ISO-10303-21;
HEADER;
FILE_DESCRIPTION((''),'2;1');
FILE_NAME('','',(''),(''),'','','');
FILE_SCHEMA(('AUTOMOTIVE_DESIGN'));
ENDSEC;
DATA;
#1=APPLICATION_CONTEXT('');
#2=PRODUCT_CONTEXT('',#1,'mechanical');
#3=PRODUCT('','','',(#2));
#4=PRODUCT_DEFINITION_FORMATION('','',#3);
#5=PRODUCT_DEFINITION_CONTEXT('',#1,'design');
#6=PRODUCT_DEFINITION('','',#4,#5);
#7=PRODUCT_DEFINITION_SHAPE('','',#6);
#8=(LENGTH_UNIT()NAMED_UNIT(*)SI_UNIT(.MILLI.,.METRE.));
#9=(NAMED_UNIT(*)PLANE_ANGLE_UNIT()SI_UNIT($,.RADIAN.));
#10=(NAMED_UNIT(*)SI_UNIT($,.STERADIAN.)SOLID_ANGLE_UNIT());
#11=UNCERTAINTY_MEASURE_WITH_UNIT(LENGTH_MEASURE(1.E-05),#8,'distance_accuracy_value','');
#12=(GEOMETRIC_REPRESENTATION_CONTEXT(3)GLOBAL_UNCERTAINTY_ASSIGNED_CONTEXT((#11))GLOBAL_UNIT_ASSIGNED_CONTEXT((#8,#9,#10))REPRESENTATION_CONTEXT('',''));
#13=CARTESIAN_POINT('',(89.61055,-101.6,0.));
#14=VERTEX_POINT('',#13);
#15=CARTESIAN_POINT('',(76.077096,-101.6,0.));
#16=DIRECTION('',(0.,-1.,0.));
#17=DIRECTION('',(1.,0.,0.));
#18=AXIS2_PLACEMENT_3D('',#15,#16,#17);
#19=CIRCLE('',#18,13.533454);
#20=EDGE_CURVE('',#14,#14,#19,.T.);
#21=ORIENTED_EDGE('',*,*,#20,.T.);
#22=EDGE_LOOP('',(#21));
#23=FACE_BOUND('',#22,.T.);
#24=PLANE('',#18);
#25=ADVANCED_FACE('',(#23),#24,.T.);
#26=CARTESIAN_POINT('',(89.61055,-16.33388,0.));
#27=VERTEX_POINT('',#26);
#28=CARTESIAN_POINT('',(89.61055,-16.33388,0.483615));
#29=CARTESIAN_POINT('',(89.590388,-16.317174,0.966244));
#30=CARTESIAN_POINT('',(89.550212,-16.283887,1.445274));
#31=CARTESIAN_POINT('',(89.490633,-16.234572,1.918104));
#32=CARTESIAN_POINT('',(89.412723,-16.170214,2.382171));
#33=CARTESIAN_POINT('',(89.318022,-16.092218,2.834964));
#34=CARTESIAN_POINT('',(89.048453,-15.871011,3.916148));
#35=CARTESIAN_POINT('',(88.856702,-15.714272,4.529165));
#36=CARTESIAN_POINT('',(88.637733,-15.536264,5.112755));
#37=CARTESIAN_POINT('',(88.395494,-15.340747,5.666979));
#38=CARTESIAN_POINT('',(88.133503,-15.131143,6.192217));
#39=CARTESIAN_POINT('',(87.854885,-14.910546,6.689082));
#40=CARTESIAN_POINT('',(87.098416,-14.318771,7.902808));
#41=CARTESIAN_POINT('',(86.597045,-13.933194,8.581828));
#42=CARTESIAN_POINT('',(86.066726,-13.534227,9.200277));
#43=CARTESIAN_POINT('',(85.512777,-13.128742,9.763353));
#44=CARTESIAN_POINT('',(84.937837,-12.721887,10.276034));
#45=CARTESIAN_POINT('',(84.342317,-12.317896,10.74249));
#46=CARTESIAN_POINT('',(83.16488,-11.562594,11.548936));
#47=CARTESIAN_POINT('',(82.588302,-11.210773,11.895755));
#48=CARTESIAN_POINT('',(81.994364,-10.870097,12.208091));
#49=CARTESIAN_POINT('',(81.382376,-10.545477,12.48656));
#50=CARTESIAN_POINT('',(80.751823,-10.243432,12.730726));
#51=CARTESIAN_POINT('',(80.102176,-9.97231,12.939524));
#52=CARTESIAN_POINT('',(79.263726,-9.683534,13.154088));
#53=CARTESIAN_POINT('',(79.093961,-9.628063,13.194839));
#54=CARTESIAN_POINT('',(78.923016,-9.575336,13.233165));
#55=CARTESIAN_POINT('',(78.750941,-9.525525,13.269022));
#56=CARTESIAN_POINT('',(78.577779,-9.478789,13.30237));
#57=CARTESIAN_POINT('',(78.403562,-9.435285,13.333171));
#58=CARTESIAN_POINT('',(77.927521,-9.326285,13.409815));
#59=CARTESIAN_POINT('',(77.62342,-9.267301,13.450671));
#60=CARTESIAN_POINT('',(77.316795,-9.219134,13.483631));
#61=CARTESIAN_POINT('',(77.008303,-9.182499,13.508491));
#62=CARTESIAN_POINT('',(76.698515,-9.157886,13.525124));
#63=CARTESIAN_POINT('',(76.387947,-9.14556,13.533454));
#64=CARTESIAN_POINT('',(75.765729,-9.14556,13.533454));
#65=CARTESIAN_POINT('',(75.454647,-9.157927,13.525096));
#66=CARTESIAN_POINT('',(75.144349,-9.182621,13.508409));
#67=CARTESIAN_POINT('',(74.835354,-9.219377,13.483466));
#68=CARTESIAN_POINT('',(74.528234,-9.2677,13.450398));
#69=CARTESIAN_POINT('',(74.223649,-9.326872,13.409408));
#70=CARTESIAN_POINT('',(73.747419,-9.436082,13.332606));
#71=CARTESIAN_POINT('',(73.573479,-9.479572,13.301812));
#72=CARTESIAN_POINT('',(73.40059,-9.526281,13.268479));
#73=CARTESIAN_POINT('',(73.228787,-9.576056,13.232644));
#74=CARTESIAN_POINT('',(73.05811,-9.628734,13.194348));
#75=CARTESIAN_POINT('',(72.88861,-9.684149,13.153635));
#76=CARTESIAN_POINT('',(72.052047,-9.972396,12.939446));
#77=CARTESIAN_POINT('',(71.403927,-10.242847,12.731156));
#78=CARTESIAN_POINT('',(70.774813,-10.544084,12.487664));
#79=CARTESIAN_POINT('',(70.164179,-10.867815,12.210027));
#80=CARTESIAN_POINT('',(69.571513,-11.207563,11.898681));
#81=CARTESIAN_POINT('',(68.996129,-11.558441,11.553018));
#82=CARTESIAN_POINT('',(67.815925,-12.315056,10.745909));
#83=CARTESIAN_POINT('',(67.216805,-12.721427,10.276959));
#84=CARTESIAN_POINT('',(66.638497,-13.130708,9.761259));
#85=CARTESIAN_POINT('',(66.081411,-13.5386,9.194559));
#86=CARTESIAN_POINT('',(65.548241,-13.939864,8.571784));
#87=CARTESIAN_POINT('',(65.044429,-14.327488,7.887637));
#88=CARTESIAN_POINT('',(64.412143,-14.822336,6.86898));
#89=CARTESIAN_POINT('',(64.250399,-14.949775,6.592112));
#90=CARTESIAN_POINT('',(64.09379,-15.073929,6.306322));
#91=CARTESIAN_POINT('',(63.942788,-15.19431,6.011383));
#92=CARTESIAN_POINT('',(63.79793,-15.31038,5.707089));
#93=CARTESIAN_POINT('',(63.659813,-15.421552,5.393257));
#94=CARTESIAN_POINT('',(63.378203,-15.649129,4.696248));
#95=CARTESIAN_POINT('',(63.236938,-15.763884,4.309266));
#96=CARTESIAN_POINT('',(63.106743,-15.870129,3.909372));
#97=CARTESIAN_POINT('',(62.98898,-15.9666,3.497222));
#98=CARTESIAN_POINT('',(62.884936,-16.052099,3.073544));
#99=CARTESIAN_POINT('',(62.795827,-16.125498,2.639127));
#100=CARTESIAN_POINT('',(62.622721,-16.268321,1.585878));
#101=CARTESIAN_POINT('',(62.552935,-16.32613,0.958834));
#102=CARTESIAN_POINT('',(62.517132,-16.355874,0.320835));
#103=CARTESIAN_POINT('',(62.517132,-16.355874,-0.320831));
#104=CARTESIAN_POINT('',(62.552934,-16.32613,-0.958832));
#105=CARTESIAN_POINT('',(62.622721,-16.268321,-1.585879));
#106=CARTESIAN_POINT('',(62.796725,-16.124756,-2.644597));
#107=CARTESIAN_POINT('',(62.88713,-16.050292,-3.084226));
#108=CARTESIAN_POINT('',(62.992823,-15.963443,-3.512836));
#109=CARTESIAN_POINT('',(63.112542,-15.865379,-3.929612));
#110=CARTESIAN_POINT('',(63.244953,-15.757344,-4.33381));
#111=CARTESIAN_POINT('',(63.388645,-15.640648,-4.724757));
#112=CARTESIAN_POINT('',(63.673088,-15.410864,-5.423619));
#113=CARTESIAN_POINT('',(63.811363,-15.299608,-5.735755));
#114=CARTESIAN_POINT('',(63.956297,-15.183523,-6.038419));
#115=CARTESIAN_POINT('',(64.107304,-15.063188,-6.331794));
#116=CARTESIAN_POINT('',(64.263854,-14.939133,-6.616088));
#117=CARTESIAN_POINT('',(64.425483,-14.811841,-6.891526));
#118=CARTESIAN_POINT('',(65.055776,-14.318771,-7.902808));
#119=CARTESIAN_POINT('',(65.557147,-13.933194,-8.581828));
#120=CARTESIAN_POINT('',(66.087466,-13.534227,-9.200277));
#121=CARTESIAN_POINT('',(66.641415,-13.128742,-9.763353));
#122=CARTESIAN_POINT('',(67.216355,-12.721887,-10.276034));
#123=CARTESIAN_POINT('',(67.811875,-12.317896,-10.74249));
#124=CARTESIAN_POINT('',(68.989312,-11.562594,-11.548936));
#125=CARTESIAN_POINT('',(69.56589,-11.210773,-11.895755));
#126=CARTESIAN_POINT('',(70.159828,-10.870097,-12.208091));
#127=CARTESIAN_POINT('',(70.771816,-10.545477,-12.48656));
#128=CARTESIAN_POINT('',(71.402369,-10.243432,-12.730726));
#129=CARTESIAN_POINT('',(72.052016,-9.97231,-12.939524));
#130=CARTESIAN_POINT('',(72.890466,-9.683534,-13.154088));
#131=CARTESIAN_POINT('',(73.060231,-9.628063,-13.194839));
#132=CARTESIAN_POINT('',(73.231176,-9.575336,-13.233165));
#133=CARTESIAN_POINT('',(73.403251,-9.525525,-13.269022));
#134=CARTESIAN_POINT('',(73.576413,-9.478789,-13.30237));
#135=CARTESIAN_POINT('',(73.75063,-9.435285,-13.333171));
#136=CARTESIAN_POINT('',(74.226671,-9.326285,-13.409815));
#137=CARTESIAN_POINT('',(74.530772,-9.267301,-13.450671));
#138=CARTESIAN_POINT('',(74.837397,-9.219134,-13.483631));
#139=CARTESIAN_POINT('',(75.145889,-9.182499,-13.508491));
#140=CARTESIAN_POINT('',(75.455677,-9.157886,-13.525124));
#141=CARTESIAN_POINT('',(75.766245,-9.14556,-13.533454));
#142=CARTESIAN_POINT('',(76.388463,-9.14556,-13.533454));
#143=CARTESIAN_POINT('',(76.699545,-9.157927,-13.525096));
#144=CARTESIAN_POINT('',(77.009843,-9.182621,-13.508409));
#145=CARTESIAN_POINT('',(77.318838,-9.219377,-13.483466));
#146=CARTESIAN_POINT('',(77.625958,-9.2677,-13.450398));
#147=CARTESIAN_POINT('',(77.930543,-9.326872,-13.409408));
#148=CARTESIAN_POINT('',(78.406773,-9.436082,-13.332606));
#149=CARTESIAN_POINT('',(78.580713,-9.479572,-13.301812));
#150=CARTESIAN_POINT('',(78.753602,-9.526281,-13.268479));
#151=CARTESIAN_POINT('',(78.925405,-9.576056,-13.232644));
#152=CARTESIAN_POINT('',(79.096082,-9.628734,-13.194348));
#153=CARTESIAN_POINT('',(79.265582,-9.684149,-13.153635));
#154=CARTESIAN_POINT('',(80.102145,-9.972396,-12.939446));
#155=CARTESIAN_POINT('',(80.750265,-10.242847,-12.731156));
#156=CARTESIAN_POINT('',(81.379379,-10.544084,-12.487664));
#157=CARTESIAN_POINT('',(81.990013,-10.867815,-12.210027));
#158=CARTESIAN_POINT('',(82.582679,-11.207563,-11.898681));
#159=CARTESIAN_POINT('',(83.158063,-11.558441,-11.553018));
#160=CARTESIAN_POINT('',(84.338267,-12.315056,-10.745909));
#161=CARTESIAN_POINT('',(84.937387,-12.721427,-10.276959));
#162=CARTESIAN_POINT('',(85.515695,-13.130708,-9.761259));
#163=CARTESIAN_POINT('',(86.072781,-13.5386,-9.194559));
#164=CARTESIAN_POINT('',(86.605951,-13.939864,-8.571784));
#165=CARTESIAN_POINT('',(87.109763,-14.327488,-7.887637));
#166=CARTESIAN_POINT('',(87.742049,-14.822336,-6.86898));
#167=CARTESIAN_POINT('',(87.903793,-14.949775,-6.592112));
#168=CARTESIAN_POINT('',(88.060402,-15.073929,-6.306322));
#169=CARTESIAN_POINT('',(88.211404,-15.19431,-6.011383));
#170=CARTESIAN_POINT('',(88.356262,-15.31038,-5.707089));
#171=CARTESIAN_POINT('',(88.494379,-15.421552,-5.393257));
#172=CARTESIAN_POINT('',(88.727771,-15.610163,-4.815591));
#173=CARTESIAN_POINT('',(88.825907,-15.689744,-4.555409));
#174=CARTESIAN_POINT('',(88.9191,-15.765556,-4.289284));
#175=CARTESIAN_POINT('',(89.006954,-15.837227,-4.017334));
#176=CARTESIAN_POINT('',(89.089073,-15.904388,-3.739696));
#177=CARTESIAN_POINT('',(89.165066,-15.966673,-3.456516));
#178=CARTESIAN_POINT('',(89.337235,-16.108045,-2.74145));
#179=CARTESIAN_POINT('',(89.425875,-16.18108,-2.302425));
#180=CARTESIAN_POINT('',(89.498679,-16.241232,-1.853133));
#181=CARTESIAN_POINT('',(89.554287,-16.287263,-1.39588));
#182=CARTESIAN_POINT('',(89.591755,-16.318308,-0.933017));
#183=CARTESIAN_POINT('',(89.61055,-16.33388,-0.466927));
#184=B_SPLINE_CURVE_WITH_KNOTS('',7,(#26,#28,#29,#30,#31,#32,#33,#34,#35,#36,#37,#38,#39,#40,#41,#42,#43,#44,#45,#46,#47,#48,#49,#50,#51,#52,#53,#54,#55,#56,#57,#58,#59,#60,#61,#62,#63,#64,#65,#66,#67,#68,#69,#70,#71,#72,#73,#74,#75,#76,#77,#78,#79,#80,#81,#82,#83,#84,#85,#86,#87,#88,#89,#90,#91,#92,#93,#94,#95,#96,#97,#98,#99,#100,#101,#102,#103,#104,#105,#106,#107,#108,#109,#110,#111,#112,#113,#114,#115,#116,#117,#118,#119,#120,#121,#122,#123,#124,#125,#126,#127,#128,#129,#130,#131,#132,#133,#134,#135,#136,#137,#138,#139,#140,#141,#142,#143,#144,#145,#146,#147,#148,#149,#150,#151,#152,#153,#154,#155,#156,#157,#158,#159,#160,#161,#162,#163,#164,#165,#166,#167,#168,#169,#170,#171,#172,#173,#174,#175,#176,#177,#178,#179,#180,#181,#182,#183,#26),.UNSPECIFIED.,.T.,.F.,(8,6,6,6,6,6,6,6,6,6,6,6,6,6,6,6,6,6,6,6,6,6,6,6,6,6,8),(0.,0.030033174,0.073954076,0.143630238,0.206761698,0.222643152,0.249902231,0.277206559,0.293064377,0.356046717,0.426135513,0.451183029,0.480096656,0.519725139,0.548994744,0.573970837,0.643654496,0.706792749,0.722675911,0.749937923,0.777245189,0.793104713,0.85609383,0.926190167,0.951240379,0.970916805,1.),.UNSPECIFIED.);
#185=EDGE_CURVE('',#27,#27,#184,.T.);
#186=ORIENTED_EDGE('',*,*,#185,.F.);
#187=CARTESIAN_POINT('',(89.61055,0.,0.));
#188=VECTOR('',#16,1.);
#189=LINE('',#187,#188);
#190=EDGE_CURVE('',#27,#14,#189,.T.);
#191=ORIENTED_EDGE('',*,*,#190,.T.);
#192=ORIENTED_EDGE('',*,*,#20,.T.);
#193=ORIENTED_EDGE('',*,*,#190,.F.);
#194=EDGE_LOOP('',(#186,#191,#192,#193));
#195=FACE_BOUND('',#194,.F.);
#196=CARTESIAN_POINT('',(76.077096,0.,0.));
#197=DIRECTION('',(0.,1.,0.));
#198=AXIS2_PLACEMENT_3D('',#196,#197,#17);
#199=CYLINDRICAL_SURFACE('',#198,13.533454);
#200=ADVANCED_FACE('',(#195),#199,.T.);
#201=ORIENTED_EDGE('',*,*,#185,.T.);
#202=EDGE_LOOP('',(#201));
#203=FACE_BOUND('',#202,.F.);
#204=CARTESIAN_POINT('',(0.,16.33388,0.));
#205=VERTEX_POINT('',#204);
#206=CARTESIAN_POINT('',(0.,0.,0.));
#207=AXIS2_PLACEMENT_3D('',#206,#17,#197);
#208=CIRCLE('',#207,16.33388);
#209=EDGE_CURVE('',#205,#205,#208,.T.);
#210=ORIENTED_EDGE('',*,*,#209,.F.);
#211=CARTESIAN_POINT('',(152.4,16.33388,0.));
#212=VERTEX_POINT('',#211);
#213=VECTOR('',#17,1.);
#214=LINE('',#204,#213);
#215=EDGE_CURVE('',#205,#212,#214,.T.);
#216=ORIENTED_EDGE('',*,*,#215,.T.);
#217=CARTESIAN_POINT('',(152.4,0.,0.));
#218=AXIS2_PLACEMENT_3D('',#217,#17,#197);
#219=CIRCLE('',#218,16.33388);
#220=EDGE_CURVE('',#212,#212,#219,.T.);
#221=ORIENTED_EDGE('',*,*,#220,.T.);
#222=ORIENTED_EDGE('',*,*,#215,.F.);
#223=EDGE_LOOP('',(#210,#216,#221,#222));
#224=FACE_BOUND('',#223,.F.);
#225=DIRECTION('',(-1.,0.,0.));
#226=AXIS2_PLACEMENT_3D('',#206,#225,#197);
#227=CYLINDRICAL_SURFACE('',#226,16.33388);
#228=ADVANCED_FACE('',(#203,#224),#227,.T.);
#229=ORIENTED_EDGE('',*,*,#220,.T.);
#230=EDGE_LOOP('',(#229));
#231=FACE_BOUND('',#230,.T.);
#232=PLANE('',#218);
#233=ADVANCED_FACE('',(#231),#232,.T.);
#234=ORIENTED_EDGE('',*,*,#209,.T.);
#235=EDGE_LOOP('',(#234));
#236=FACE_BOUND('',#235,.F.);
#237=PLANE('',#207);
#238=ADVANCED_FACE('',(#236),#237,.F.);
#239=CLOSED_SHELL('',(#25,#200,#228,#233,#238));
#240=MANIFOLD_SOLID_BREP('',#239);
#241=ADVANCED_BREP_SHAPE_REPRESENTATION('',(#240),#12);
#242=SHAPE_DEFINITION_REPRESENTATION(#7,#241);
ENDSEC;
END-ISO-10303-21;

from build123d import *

# Parameters (mm, degrees)
F0_R     = 16.33388
F1_DEPTH = 152.4
F2_R     = 13.533454
F3_DEPTH = 101.6


with BuildPart() as f1:
    # F0 (on Right) → F1 (new body)
    with BuildSketch(Plane.YZ):
        Circle(F0_R)
    extrude(amount=F1_DEPTH)

    # F2 (on Front) → F3 (join)
    with BuildSketch(Plane.XZ):
        with Locations((76.077096, 0)):
            Circle(F2_R)
    extrude(amount=F3_DEPTH)


solid = f1.part
